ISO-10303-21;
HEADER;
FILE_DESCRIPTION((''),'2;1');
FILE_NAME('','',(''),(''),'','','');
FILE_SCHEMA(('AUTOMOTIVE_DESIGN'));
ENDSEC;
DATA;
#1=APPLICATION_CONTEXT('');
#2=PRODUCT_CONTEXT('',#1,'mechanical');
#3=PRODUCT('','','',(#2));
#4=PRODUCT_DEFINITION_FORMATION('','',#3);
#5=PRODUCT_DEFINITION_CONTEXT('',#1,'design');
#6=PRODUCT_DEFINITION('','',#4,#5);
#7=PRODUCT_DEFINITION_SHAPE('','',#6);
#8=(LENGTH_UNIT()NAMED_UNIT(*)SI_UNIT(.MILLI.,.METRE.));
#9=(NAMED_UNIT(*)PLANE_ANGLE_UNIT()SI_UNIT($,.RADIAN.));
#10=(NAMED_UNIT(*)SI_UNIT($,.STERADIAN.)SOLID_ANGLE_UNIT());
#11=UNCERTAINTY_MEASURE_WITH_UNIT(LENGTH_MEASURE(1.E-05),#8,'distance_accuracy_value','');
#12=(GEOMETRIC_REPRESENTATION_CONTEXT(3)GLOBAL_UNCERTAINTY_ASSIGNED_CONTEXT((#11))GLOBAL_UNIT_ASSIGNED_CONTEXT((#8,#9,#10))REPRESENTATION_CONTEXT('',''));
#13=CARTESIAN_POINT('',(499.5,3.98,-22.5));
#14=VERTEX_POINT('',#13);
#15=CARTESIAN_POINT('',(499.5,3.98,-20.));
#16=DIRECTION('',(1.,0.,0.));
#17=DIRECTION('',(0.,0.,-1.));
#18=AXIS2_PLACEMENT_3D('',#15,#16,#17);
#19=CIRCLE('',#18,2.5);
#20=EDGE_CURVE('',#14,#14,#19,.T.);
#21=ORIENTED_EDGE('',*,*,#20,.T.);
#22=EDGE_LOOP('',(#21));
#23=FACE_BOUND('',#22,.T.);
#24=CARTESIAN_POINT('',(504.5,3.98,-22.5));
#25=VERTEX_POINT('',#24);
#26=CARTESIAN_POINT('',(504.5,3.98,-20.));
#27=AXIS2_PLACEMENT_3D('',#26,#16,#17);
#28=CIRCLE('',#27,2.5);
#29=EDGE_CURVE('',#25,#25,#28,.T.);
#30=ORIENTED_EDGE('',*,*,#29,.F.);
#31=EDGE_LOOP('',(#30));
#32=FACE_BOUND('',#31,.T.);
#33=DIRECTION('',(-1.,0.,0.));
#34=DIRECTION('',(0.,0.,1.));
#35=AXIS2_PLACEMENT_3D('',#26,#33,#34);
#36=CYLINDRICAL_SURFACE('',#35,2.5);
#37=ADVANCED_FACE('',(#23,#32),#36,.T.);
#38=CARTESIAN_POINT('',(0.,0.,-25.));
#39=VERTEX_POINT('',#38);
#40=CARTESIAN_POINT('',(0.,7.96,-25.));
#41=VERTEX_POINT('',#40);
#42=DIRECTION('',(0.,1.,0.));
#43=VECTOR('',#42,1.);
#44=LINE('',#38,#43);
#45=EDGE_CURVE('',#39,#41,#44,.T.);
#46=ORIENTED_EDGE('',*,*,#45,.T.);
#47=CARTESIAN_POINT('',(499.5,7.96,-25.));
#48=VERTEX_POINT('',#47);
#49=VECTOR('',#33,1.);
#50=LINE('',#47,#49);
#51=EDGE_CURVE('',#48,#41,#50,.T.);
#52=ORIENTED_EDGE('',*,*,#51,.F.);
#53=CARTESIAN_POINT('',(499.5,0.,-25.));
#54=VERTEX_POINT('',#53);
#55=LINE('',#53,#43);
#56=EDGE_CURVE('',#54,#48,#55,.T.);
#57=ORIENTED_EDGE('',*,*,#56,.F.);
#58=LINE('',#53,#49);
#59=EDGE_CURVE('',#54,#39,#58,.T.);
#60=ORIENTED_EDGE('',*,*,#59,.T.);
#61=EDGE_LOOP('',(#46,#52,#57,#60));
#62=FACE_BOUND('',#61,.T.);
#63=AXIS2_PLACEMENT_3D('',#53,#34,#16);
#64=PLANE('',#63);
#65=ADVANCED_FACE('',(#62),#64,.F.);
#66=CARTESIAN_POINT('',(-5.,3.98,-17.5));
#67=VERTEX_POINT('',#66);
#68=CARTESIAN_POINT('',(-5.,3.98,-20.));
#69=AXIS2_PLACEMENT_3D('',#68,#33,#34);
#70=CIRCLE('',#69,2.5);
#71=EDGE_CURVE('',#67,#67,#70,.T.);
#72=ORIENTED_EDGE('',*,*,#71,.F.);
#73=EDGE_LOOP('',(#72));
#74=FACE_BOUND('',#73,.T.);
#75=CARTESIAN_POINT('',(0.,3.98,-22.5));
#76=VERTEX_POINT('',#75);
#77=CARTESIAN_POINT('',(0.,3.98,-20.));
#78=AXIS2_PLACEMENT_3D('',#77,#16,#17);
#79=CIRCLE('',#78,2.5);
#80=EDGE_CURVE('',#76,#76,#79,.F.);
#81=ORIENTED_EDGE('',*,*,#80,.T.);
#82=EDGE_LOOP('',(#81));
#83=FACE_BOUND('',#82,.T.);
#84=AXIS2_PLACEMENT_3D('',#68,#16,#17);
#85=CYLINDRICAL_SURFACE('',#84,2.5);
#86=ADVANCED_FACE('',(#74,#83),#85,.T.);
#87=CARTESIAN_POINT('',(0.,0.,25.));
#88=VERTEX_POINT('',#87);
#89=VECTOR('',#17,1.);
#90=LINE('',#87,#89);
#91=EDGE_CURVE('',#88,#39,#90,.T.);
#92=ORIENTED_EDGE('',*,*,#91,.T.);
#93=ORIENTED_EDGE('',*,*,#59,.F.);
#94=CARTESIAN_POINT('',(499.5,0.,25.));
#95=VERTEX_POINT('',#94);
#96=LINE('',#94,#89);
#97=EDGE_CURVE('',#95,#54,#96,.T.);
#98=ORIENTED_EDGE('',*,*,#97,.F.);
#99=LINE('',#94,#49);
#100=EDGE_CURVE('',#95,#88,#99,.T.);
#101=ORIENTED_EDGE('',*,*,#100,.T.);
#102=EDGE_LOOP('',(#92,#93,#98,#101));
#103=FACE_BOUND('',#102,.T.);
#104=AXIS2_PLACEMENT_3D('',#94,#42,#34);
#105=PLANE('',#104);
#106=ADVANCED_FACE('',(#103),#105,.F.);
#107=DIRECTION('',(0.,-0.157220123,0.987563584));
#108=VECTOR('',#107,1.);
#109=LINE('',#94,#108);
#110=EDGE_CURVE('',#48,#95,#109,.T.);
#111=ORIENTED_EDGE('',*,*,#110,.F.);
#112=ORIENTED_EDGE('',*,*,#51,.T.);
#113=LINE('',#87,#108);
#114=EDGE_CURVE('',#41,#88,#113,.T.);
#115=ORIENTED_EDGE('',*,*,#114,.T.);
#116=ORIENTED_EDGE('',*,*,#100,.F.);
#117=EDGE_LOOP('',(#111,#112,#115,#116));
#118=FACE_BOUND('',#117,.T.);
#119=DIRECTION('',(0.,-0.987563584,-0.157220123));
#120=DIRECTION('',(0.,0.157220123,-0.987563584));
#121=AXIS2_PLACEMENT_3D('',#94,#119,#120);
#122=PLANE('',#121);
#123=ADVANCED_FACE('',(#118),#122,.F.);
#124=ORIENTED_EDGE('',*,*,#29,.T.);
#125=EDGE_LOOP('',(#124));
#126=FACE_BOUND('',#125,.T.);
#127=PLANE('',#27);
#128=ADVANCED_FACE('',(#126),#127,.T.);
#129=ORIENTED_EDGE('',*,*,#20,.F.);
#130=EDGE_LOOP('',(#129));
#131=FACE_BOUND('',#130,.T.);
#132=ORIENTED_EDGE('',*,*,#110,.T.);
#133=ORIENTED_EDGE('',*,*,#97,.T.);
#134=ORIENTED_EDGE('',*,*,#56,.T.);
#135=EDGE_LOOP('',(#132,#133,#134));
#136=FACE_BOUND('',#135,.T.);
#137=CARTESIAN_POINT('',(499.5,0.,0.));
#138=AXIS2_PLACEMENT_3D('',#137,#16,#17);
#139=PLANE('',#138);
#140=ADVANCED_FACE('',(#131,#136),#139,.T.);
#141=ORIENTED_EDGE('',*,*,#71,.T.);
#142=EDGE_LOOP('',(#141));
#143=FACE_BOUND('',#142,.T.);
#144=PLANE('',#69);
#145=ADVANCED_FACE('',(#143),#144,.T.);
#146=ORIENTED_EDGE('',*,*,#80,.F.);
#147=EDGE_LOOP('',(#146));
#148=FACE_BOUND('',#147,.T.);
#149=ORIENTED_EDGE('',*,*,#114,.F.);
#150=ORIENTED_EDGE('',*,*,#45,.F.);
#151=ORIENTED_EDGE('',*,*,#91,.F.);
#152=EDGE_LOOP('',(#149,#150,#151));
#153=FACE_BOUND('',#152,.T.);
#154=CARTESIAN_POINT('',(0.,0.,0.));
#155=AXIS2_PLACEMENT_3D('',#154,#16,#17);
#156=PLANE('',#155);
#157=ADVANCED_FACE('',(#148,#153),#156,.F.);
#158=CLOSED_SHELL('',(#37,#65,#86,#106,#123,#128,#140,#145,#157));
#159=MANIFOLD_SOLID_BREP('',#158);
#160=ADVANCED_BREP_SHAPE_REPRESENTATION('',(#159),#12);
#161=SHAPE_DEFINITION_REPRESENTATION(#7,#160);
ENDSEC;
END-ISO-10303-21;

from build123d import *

# Parameters (mm, degrees)
Y_KSEKLIK_EKSTR_ZYON2_DEPTH = 499.5
IZIM4_R                     = 2.5
Y_KSEKLIK_EKSTR_ZYON3_DEPTH = 5
IZIM5_R                     = 2.5
Y_KSEKLIK_EKSTR_ZYON4_DEPTH = 5


with BuildPart() as part:
    # Çizim2 → Yükseklik-Ekstrüzyon2 (new body)
    with BuildSketch(Plane(origin=(0, 0, 0), x_dir=(0, 0, -1), z_dir=(1, 0, 0))):
        Polygon((-25, 0), (25, 0), (25, 7.96), align=None)
    extrude(amount=Y_KSEKLIK_EKSTR_ZYON2_DEPTH)

    # Çizim4 → Yükseklik-Ekstrüzyon3 (add)
    with BuildSketch(Plane(origin=(499.5, 0, 0), x_dir=(0, 0, -1), z_dir=(1, 0, 0))):
        with Locations((20, 3.98)):
            Circle(IZIM4_R)
    extrude(amount=Y_KSEKLIK_EKSTR_ZYON3_DEPTH)

    # Çizim5 → Yükseklik-Ekstrüzyon4 (add)
    with BuildSketch(Plane.ZY):
        with Locations((-20, 3.98)):
            Circle(IZIM5_R)
    extrude(amount=Y_KSEKLIK_EKSTR_ZYON4_DEPTH)


solid = part.part
